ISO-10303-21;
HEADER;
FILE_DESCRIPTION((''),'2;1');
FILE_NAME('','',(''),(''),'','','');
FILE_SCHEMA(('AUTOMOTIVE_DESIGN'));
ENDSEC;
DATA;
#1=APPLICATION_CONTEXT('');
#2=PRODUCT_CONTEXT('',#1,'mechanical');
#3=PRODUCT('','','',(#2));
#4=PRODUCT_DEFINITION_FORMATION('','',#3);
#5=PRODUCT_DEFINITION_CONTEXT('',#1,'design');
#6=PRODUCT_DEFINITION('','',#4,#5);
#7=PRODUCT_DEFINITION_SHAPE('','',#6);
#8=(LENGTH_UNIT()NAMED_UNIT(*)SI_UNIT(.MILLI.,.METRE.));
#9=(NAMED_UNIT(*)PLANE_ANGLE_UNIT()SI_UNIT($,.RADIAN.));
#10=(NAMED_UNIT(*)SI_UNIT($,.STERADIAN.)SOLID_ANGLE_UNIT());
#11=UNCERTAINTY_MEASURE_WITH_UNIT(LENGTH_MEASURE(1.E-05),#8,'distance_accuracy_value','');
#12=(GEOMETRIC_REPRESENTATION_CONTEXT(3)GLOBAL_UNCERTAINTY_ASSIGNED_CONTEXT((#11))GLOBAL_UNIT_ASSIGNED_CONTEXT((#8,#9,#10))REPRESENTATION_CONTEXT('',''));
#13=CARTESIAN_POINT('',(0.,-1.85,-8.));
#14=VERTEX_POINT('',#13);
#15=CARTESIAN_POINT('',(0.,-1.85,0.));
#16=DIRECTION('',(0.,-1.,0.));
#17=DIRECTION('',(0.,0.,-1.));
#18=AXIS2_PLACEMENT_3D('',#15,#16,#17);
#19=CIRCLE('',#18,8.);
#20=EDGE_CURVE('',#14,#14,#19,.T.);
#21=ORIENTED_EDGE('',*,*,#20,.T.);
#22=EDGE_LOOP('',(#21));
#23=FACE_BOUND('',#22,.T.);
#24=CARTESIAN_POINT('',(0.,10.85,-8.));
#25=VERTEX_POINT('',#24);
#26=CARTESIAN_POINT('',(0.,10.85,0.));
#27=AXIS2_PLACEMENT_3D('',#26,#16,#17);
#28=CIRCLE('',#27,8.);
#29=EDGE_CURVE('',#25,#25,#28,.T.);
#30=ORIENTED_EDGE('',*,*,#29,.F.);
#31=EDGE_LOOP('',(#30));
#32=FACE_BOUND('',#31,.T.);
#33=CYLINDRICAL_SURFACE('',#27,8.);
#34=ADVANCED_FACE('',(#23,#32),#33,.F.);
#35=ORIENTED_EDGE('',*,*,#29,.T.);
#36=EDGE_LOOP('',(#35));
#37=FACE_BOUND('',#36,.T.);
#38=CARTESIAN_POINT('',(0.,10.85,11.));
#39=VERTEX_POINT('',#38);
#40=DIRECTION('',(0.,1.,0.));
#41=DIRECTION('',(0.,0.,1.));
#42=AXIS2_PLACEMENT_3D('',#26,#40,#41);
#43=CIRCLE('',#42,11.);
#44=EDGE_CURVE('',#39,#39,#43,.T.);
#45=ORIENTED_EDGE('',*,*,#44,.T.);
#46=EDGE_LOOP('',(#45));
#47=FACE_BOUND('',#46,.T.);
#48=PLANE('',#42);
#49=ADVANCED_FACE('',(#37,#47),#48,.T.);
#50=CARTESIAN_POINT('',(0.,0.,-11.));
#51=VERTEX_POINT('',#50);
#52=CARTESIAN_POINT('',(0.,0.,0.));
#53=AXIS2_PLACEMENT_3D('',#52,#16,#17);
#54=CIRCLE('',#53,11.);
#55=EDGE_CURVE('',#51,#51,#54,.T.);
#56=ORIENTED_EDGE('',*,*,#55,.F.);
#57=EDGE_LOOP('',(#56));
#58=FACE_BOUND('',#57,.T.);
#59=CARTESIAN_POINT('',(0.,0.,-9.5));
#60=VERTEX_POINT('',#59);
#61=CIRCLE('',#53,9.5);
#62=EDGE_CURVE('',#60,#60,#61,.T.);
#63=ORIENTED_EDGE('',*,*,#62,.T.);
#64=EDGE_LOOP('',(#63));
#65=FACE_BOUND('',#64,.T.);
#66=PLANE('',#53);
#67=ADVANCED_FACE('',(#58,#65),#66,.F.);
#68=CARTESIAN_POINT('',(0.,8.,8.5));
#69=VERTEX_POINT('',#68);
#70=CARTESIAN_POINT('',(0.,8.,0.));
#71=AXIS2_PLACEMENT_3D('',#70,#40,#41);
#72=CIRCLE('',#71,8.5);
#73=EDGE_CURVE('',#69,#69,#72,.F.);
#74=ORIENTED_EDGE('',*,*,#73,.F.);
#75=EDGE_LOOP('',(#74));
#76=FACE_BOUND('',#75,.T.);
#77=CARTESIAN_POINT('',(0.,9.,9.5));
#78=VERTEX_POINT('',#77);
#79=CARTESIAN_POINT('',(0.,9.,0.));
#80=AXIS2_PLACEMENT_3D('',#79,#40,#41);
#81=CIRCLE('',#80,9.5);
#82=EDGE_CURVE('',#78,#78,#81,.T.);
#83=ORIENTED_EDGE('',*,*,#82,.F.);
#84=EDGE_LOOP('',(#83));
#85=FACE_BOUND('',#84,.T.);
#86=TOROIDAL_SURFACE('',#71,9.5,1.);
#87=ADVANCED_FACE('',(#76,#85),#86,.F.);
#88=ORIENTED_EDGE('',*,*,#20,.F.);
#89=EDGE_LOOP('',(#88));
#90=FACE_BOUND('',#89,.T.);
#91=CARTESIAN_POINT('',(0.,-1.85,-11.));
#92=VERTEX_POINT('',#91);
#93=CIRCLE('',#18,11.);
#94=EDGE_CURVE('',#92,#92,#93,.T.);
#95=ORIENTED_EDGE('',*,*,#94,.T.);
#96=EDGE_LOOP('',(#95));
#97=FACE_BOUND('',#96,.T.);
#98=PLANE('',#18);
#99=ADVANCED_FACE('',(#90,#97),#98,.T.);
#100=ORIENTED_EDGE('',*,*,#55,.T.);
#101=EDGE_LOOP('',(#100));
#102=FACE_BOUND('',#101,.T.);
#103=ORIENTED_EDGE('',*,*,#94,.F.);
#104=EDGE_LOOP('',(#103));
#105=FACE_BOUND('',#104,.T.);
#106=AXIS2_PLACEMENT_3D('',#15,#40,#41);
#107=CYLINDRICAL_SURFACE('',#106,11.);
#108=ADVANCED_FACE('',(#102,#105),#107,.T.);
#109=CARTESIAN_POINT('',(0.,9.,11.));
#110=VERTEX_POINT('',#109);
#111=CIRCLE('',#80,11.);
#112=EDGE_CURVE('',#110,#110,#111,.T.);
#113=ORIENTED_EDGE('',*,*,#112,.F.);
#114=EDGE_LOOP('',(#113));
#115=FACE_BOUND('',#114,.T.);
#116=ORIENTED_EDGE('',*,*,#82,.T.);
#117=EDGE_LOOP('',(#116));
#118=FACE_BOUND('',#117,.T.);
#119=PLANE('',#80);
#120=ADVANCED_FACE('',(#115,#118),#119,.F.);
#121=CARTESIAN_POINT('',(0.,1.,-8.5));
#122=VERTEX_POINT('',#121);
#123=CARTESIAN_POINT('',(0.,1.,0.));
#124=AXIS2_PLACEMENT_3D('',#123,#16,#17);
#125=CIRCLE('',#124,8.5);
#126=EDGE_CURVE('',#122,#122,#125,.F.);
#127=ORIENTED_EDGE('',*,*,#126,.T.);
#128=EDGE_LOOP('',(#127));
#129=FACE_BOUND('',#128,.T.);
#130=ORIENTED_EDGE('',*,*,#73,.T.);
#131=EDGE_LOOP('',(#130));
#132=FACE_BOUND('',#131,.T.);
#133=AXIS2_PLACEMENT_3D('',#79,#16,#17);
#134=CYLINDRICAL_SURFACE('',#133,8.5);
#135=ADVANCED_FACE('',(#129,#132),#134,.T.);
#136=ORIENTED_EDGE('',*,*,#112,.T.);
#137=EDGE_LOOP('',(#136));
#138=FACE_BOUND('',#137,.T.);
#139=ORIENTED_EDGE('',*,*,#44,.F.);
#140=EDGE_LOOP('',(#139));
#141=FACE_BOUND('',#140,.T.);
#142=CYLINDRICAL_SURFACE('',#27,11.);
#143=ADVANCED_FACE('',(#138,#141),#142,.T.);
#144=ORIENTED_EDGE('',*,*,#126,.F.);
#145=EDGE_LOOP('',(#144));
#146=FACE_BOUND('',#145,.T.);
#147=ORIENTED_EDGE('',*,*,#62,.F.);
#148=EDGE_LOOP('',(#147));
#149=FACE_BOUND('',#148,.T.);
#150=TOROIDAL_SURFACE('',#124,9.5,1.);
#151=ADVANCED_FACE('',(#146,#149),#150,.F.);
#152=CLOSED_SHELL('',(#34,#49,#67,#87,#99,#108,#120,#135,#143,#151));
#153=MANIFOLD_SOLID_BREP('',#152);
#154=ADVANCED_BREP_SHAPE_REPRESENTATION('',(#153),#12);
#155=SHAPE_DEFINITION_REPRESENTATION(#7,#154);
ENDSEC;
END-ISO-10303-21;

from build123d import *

# Parameters (mm, degrees)
SKETCH1_R           = 8.5
BOSS_EXTRUDE1_DEPTH = 9
SKETCH2_R           = 11
BOSS_EXTRUDE2_DEPTH = 1.85
BOSS_EXTRUDE4_START = 1.85
SKETCH4_R           = 11
BOSS_EXTRUDE4_DEPTH = 1.85
SKETCH5_R           = 8
CUT_EXTRUDE1_DEPTH  = 21.082081565
FILLET1_R           = 1


with BuildPart() as part:
    # Sketch1 → Boss-Extrude1 (new body)
    with BuildSketch(Plane(origin=(0, 0, 0), x_dir=(1, 0, 0), z_dir=(0, 1, 0))):
        with Locations(Location((0, 0, 0), (0, 0, 270))):
            Circle(SKETCH1_R)
    extrude(amount=BOSS_EXTRUDE1_DEPTH)

    # Sketch2 → Boss-Extrude2 (add)
    with BuildSketch(Plane(origin=(0, 9, 0), x_dir=(1, 0, 0), z_dir=(0, 1, 0))):
        with Locations(Location((0, 0, 0), (0, 0, 270))):
            Circle(SKETCH2_R)
    extrude(amount=BOSS_EXTRUDE2_DEPTH)

    # Sketch4 → Boss-Extrude4 (add)
    with BuildSketch(Plane.XZ.offset(BOSS_EXTRUDE4_START)):
        with Locations(Location((0, 0, 0), (0, 0, 90))):
            Circle(SKETCH4_R)
    extrude(amount=-BOSS_EXTRUDE4_DEPTH)

    # Sketch5 → Cut-Extrude1 (cut, through all)
    with BuildSketch(Plane.XZ.offset(1.85)):
        with Locations(Location((0, 0, 0), (0, 0, 270))):
            Circle(SKETCH5_R)
    extrude(amount=-CUT_EXTRUDE1_DEPTH, mode=Mode.SUBTRACT)

    # Fillet1
    fillet1_edges = [part.edges().sort_by_distance(p)[0] for p in [
        (0, 0, -8.5),
        (0, 9, -8.5),
    ]]
    fillet(fillet1_edges, radius=FILLET1_R)


solid = part.part
